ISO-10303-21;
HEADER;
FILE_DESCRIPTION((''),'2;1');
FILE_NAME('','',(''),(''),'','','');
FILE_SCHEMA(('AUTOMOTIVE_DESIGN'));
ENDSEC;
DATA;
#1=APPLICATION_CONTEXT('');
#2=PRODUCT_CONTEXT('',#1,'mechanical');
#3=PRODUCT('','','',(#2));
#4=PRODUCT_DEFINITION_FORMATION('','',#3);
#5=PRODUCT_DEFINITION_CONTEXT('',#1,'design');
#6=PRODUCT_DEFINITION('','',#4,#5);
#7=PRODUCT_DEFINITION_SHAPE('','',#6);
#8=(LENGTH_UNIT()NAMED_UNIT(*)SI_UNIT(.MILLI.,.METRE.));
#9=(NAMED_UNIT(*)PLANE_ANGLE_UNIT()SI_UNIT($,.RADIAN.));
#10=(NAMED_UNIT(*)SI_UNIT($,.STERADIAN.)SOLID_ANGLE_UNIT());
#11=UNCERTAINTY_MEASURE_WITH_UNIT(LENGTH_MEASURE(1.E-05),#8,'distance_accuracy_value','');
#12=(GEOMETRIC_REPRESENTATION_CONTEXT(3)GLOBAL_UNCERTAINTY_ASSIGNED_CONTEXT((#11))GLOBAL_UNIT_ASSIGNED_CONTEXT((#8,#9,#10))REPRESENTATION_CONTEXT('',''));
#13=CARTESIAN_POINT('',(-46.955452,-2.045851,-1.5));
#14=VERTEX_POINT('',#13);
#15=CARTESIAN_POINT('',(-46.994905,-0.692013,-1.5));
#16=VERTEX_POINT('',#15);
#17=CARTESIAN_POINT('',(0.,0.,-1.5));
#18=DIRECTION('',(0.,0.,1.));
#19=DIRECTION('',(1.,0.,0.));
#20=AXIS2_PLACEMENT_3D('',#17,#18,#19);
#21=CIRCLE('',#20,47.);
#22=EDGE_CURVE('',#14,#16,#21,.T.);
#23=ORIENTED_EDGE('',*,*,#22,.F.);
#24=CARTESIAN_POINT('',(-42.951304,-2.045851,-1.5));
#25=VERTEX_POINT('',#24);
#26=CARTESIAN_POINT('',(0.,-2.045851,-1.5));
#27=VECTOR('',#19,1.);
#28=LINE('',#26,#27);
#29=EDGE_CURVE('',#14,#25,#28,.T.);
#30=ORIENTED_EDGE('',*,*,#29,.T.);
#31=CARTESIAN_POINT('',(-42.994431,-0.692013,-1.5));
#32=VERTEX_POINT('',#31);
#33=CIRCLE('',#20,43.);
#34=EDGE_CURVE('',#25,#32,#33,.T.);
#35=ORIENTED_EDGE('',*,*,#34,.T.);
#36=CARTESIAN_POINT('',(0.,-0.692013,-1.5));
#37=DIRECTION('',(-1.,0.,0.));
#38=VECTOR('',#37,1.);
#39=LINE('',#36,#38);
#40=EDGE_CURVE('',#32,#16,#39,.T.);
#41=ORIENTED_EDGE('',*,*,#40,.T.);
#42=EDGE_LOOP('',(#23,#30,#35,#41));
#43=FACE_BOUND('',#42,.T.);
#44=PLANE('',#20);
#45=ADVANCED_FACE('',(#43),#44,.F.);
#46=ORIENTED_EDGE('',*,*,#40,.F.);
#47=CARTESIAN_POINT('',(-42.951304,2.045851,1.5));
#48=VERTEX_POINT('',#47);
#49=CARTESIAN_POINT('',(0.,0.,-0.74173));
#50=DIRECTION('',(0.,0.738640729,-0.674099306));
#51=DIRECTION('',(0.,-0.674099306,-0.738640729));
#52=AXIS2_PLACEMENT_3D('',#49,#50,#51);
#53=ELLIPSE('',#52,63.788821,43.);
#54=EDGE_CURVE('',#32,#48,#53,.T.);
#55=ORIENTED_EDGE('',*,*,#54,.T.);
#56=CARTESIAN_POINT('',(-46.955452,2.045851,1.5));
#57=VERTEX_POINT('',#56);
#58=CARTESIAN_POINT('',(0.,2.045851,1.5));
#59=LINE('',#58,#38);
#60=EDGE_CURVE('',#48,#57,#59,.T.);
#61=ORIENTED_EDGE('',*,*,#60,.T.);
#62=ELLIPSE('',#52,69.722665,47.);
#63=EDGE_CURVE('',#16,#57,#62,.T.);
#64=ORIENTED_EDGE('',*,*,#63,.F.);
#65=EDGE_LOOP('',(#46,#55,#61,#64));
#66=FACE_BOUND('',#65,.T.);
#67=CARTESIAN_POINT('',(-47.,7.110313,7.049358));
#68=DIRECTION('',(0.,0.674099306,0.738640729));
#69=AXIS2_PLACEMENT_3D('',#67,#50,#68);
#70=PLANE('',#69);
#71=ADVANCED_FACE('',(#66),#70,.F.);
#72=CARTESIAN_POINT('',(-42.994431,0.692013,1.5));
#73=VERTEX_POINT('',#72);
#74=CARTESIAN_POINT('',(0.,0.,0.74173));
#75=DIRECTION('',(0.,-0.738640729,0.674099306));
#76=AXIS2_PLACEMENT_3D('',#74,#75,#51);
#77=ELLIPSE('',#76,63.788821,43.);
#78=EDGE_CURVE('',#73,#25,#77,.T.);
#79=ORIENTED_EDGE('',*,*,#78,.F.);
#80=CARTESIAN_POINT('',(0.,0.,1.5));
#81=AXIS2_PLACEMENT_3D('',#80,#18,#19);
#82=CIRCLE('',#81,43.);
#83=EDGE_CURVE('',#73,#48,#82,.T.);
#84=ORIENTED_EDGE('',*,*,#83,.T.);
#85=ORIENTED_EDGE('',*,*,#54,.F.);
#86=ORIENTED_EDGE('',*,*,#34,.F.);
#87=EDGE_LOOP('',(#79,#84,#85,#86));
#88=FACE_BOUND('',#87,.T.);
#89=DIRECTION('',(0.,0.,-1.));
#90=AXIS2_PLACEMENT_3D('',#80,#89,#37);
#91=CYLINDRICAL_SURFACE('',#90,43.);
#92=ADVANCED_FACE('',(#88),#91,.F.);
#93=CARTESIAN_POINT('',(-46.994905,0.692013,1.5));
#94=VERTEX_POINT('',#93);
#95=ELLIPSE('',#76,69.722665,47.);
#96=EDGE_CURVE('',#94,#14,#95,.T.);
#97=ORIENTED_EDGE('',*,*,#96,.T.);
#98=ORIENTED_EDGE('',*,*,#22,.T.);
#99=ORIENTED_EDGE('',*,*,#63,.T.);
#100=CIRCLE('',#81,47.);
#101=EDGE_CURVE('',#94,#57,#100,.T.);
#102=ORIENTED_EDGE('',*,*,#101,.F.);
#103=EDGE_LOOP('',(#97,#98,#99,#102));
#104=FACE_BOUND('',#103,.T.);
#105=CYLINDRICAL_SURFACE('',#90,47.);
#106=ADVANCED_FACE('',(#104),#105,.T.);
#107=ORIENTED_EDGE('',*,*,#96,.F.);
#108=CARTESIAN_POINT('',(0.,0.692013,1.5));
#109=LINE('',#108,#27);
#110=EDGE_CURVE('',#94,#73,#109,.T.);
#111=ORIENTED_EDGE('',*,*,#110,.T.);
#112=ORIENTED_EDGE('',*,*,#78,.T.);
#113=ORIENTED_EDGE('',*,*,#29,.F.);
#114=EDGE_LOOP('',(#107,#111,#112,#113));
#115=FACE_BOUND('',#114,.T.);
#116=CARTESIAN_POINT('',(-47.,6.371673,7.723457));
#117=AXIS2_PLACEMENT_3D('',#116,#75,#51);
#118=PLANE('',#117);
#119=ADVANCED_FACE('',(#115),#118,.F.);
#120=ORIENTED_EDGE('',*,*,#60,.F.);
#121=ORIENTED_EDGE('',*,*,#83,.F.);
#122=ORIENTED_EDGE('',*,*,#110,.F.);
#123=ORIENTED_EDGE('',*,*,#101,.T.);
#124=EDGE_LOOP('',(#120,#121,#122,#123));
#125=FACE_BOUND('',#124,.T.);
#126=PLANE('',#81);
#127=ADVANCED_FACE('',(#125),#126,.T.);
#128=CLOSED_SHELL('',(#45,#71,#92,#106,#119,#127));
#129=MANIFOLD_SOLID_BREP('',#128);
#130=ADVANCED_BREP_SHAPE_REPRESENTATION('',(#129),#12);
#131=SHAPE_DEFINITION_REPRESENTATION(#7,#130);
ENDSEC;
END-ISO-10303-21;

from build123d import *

# Parameters (mm, degrees)
SKETCH1_R           = 47
SKETCH1_R_2         = 43
BOSS_EXTRUDE1_DEPTH = 1.5
CUT_EXTRUDE1_DEPTH  = 67.484960705


with BuildPart() as part:
    # Sketch1 → Boss-Extrude1 (new, symmetric)
    with BuildSketch(Plane.XY):
        Circle(SKETCH1_R)
        Circle(SKETCH1_R_2, mode=Mode.SUBTRACT)
    extrude(amount=BOSS_EXTRUDE1_DEPTH, both=True)

    # Sketch2 → Cut-Extrude1 (cut, through all)
    with BuildSketch(Plane(origin=(0, 0, 0), x_dir=(0, 0, -1), z_dir=(1, 0, 0))):
        Polygon((-7.723456939, 6.371672693), (7.049357633, -7.110313422), (7.723456939, -6.371672693), (-7.049357633, 7.110313422), align=None)
    extrude(amount=-CUT_EXTRUDE1_DEPTH, mode=Mode.SUBTRACT)


solid = part.part
